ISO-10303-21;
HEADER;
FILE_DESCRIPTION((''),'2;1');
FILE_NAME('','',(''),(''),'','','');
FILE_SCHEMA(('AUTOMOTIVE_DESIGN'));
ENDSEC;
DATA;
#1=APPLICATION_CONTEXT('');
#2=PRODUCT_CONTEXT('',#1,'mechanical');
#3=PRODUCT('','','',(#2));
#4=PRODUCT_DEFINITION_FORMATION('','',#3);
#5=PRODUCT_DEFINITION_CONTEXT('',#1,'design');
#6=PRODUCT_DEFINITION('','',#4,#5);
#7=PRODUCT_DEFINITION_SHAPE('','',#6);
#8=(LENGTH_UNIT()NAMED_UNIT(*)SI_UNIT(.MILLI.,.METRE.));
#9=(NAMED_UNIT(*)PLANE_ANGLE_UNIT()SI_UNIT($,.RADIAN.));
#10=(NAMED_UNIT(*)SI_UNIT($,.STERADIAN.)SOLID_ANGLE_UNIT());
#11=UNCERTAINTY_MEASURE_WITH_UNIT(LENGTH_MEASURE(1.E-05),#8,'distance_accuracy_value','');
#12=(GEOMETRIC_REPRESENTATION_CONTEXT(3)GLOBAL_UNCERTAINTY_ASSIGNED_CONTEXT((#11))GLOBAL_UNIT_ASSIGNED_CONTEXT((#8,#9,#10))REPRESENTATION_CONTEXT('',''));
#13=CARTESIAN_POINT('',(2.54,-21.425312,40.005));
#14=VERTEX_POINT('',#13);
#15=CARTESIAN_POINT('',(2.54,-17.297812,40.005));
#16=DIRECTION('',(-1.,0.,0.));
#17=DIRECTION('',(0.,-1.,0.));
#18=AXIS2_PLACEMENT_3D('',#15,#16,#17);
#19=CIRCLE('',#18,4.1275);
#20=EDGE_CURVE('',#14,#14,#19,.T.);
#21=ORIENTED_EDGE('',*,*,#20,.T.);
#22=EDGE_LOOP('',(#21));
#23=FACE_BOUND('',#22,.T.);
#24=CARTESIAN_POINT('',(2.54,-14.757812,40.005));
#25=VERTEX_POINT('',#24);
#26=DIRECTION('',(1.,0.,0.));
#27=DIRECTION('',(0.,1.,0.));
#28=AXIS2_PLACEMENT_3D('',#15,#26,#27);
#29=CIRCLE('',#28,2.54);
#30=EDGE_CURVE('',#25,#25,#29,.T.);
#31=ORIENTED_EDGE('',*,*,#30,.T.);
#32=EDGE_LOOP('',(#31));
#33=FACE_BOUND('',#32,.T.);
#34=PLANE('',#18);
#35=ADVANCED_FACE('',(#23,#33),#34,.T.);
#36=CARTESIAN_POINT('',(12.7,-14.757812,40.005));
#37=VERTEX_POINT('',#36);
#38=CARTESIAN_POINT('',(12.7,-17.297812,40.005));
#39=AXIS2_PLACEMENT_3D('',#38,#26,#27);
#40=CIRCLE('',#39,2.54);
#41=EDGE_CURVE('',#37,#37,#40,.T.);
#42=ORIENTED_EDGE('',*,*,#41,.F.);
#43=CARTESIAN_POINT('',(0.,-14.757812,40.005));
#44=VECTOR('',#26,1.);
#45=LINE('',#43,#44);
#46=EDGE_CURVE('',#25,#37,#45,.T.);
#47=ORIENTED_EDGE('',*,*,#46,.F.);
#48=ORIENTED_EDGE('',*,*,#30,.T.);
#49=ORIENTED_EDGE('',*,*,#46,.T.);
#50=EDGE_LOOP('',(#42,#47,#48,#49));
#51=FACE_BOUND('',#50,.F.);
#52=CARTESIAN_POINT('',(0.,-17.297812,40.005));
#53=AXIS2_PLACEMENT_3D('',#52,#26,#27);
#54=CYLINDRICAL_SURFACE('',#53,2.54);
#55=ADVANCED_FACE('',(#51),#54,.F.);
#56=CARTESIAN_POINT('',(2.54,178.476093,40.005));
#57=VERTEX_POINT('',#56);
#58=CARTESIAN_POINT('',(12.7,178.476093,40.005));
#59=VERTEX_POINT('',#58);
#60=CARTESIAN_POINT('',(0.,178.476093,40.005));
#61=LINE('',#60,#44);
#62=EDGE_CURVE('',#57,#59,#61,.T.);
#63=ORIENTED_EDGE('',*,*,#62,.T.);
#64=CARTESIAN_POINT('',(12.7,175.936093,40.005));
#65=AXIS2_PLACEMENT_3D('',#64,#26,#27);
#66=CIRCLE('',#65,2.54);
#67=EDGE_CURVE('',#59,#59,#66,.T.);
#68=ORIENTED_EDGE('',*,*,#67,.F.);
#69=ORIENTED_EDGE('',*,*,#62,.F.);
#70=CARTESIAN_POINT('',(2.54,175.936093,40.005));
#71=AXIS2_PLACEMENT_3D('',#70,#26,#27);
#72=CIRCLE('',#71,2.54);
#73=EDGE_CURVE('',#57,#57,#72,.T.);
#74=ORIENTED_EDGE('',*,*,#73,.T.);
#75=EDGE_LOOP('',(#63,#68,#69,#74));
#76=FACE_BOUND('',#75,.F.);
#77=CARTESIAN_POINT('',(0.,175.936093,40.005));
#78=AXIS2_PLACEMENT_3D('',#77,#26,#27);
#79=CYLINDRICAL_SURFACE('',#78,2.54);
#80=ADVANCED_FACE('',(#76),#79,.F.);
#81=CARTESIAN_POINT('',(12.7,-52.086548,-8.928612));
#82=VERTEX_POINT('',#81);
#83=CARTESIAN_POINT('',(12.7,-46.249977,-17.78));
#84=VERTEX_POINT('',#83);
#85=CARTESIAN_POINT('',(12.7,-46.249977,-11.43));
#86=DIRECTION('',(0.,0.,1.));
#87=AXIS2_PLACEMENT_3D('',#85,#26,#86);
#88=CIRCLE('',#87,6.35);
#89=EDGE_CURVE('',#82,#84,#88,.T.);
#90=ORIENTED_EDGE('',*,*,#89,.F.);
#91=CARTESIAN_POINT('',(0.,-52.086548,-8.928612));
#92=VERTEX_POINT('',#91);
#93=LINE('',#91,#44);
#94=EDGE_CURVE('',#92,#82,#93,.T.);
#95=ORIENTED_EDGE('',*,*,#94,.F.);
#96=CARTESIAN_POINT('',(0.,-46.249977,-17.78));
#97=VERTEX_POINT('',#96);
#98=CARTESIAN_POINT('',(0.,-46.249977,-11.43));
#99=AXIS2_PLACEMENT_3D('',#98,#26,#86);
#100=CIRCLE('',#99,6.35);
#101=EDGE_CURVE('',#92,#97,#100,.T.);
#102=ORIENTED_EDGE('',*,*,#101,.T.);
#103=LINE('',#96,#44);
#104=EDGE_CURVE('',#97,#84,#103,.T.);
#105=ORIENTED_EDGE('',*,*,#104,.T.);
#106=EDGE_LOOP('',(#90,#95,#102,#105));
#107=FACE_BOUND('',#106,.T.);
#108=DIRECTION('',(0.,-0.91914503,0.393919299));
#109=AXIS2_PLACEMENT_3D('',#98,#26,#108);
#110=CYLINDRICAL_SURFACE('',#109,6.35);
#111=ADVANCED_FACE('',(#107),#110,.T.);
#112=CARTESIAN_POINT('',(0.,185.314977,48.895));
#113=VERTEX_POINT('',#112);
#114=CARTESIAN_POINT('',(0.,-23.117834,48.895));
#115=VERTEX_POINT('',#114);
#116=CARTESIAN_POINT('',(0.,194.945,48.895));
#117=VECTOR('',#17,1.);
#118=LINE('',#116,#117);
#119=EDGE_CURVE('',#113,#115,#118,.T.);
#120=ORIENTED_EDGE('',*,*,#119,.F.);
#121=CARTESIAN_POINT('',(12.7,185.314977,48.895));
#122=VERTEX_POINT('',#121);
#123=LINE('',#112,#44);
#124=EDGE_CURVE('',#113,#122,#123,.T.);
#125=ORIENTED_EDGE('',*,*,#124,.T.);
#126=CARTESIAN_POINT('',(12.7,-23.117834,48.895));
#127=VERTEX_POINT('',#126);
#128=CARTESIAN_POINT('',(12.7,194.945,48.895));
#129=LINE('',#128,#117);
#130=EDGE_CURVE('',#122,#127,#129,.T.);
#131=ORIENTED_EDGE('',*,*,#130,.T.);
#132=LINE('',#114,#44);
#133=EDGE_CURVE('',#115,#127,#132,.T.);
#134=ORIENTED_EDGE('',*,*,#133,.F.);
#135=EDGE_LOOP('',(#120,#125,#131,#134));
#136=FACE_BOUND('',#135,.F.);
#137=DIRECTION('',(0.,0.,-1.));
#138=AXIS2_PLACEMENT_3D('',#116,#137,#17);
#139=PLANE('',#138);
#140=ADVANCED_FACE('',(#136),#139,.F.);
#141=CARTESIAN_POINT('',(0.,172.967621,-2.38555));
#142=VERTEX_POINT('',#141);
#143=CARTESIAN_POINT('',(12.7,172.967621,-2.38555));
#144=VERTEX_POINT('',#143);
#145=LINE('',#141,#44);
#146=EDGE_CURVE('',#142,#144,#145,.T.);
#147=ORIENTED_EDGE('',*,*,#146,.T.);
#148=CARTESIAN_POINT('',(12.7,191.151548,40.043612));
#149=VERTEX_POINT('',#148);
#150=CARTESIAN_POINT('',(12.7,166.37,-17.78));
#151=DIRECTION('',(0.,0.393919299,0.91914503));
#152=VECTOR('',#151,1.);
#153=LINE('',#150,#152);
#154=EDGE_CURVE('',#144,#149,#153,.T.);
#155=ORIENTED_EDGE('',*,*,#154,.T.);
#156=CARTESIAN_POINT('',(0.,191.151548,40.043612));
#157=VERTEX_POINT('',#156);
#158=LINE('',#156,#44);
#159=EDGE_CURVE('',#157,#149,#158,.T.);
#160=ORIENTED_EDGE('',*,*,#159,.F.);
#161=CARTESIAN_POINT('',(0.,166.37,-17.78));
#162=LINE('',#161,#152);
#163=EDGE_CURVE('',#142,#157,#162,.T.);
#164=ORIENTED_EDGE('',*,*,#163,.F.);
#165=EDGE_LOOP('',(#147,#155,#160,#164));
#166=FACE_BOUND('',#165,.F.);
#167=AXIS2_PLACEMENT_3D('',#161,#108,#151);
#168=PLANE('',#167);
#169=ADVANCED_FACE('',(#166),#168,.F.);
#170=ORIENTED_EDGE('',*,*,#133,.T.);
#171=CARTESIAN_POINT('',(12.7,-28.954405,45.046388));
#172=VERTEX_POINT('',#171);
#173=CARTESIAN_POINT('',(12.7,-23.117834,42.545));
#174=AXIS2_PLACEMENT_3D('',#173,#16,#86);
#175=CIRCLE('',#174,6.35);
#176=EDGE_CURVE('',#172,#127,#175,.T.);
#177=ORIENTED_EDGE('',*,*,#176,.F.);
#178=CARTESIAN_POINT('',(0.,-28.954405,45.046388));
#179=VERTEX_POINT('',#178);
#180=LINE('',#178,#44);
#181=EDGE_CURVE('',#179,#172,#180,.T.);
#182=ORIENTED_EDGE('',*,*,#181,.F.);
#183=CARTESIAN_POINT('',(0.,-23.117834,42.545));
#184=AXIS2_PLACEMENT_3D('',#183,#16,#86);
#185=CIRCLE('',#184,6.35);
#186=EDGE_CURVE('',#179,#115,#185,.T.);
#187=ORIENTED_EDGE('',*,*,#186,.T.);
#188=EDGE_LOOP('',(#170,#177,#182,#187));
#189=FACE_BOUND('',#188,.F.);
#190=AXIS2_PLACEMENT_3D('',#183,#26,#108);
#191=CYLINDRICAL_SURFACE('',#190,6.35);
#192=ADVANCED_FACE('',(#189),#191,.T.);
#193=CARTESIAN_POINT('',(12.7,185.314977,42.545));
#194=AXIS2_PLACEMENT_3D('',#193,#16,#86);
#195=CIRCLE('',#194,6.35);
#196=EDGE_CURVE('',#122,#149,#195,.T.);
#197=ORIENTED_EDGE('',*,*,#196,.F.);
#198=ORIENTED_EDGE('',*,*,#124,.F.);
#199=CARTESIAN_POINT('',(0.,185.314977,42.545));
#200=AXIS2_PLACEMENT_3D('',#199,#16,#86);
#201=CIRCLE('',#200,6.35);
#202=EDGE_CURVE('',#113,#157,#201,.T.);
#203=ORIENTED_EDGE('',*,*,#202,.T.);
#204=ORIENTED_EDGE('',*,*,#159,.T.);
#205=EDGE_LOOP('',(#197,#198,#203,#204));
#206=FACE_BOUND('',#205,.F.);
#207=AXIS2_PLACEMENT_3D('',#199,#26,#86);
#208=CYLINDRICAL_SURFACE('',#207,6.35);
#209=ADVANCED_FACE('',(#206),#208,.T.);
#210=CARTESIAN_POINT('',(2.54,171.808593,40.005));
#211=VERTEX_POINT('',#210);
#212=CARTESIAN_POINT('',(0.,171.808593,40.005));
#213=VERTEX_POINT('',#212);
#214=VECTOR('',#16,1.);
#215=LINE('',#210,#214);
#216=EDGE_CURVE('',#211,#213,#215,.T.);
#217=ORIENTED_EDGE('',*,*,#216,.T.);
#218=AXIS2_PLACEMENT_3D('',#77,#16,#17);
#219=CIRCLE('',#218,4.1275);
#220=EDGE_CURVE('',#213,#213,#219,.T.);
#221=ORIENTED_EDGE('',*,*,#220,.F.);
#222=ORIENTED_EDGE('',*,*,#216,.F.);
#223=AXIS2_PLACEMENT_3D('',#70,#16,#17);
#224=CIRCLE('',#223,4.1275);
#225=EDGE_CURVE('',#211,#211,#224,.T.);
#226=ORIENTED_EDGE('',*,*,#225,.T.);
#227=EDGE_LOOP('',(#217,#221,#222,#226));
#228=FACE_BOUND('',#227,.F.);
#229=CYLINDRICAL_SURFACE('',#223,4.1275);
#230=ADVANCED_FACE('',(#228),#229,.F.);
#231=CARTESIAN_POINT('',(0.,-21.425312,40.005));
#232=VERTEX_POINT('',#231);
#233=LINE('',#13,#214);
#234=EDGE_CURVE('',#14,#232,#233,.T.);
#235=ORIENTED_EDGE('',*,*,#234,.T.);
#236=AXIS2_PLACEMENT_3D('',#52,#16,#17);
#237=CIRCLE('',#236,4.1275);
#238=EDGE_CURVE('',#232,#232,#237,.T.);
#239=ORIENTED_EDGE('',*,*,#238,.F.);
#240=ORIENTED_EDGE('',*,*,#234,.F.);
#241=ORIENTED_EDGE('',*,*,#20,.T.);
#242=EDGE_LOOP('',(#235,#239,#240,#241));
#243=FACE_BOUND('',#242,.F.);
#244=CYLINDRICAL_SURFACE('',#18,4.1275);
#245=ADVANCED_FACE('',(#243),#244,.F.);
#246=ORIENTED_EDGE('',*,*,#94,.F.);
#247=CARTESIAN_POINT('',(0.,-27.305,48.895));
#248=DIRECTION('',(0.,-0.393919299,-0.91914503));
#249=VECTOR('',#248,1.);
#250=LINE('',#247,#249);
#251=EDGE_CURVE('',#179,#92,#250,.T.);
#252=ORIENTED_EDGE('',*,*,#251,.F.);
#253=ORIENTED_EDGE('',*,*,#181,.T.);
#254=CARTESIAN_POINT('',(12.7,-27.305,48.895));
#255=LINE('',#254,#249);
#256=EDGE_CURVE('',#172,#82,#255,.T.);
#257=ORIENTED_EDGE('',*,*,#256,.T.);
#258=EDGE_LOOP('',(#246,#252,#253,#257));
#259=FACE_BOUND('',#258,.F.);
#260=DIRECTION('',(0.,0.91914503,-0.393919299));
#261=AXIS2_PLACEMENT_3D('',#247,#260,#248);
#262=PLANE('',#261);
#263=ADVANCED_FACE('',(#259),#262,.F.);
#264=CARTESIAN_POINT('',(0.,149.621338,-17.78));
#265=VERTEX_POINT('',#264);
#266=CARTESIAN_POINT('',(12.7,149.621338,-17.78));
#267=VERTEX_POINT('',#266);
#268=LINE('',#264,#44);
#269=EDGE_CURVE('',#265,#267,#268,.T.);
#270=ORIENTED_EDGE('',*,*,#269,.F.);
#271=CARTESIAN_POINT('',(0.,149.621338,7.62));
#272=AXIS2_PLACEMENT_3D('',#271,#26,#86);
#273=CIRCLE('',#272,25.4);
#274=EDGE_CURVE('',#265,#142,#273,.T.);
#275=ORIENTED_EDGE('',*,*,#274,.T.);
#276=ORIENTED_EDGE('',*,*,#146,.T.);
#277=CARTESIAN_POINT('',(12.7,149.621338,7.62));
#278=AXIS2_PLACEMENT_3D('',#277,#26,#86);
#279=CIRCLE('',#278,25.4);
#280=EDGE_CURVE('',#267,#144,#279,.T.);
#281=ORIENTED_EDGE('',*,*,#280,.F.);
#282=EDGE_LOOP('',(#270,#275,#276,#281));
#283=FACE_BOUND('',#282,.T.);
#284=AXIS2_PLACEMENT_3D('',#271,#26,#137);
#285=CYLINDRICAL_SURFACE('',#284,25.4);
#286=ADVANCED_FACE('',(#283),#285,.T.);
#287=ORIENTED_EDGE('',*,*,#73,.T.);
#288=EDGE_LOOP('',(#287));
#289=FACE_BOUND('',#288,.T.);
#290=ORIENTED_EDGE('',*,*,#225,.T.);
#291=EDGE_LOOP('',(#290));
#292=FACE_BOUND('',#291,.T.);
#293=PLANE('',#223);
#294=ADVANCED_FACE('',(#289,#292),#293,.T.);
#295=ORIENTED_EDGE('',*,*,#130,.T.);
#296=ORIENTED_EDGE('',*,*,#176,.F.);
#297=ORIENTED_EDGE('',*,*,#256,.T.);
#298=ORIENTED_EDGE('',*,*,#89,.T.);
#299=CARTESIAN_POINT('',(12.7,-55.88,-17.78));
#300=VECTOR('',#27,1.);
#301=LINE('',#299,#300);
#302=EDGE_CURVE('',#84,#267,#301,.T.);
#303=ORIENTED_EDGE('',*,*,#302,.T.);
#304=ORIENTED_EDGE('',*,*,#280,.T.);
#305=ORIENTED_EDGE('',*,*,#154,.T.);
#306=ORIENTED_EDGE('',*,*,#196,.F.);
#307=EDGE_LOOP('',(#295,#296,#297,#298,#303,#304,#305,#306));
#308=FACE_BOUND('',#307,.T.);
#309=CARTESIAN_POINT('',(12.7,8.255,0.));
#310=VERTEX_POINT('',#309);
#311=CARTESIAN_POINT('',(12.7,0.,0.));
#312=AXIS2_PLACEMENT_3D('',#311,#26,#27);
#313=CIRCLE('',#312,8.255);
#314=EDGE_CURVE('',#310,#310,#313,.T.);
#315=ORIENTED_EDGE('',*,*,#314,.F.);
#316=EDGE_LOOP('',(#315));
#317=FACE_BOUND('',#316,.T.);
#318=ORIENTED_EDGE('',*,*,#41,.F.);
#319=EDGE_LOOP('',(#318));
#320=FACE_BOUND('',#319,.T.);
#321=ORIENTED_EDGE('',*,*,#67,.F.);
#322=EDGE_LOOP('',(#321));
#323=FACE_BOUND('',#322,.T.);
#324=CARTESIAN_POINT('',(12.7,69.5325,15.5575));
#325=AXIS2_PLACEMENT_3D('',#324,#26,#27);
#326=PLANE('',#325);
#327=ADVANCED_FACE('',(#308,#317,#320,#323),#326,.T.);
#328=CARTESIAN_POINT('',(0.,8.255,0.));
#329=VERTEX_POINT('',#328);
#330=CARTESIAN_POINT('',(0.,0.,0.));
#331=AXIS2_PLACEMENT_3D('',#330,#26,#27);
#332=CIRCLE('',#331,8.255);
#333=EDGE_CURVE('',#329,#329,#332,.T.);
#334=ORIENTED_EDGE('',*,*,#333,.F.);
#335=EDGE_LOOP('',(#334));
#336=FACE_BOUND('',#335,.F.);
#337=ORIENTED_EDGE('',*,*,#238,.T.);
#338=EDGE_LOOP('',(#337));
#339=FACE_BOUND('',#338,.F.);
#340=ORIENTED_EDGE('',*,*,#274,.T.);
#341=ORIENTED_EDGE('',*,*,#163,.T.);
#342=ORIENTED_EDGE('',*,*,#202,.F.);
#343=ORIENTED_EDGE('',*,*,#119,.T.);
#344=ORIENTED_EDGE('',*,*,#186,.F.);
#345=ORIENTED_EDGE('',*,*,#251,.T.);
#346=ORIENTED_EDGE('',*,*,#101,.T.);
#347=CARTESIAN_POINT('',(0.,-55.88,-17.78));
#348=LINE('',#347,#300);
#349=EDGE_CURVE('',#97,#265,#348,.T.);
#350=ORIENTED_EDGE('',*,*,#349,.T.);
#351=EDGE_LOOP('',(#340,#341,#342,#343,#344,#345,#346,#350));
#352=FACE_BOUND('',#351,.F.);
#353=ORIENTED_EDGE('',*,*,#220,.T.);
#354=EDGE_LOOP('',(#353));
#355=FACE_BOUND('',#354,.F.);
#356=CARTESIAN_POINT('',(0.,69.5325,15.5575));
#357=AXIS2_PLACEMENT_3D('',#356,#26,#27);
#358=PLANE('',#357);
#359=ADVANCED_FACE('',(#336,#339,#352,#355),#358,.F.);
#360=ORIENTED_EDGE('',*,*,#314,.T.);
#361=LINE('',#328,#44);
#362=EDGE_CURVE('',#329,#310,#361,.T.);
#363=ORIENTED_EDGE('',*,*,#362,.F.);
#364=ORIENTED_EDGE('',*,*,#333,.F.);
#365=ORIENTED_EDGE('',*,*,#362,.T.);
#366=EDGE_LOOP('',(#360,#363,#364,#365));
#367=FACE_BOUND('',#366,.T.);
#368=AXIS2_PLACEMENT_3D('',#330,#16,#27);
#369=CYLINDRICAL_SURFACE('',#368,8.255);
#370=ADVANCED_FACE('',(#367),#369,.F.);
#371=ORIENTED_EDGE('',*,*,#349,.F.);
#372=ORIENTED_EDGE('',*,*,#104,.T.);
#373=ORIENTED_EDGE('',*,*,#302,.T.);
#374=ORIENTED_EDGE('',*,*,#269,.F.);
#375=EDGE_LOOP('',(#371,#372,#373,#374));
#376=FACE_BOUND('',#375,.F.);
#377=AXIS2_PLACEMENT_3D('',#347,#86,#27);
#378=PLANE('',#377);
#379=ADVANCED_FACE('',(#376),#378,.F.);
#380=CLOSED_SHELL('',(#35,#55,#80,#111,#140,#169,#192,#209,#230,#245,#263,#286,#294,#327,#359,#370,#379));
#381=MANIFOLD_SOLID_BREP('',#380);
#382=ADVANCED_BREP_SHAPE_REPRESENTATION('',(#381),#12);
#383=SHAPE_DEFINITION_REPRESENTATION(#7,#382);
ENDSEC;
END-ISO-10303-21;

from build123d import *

# Parameters (mm, degrees)
F0_R           = 8.255
F1_DEPTH       = 12.7
F3_D           = 5.08
F3_CBORE_D     = 8.255
F3_CBORE_DEPTH = 2.54
F4_R           = 6.35
F5_R           = 25.4


with BuildPart() as f1:
    # F0 (on Right) → F1 (new body)
    with BuildSketch(Plane.YZ):
        Polygon((-27.305, 48.895), (-55.88, -17.78), (166.37, -17.78), (194.945, 48.895), align=None)
        Circle(F0_R, mode=Mode.SUBTRACT)
    extrude(amount=F1_DEPTH)

    # F3 (through all)
    with Locations(Plane(origin=(0, 0, 0), x_dir=(0, -1, 0), z_dir=(-1, 0, 0))):
        with Locations((-175.936093, 40.005), (17.297812, 40.005)):
            CounterBoreHole(F3_D / 2, F3_CBORE_D / 2, F3_CBORE_DEPTH)

    # F4
    f4_edges = [f1.edges().sort_by_distance(p)[0] for p in [
        (6.35, 194.945, 48.895),
        (6.35, -27.305, 48.895),
        (6.35, -55.88, -17.78),
    ]]
    fillet(f4_edges, radius=F4_R)

    # F5
    f5_edges = [f1.edges().sort_by_distance(p)[0] for p in [
        (6.35, 166.37, -17.78),
    ]]
    fillet(f5_edges, radius=F5_R)


solid = f1.part
